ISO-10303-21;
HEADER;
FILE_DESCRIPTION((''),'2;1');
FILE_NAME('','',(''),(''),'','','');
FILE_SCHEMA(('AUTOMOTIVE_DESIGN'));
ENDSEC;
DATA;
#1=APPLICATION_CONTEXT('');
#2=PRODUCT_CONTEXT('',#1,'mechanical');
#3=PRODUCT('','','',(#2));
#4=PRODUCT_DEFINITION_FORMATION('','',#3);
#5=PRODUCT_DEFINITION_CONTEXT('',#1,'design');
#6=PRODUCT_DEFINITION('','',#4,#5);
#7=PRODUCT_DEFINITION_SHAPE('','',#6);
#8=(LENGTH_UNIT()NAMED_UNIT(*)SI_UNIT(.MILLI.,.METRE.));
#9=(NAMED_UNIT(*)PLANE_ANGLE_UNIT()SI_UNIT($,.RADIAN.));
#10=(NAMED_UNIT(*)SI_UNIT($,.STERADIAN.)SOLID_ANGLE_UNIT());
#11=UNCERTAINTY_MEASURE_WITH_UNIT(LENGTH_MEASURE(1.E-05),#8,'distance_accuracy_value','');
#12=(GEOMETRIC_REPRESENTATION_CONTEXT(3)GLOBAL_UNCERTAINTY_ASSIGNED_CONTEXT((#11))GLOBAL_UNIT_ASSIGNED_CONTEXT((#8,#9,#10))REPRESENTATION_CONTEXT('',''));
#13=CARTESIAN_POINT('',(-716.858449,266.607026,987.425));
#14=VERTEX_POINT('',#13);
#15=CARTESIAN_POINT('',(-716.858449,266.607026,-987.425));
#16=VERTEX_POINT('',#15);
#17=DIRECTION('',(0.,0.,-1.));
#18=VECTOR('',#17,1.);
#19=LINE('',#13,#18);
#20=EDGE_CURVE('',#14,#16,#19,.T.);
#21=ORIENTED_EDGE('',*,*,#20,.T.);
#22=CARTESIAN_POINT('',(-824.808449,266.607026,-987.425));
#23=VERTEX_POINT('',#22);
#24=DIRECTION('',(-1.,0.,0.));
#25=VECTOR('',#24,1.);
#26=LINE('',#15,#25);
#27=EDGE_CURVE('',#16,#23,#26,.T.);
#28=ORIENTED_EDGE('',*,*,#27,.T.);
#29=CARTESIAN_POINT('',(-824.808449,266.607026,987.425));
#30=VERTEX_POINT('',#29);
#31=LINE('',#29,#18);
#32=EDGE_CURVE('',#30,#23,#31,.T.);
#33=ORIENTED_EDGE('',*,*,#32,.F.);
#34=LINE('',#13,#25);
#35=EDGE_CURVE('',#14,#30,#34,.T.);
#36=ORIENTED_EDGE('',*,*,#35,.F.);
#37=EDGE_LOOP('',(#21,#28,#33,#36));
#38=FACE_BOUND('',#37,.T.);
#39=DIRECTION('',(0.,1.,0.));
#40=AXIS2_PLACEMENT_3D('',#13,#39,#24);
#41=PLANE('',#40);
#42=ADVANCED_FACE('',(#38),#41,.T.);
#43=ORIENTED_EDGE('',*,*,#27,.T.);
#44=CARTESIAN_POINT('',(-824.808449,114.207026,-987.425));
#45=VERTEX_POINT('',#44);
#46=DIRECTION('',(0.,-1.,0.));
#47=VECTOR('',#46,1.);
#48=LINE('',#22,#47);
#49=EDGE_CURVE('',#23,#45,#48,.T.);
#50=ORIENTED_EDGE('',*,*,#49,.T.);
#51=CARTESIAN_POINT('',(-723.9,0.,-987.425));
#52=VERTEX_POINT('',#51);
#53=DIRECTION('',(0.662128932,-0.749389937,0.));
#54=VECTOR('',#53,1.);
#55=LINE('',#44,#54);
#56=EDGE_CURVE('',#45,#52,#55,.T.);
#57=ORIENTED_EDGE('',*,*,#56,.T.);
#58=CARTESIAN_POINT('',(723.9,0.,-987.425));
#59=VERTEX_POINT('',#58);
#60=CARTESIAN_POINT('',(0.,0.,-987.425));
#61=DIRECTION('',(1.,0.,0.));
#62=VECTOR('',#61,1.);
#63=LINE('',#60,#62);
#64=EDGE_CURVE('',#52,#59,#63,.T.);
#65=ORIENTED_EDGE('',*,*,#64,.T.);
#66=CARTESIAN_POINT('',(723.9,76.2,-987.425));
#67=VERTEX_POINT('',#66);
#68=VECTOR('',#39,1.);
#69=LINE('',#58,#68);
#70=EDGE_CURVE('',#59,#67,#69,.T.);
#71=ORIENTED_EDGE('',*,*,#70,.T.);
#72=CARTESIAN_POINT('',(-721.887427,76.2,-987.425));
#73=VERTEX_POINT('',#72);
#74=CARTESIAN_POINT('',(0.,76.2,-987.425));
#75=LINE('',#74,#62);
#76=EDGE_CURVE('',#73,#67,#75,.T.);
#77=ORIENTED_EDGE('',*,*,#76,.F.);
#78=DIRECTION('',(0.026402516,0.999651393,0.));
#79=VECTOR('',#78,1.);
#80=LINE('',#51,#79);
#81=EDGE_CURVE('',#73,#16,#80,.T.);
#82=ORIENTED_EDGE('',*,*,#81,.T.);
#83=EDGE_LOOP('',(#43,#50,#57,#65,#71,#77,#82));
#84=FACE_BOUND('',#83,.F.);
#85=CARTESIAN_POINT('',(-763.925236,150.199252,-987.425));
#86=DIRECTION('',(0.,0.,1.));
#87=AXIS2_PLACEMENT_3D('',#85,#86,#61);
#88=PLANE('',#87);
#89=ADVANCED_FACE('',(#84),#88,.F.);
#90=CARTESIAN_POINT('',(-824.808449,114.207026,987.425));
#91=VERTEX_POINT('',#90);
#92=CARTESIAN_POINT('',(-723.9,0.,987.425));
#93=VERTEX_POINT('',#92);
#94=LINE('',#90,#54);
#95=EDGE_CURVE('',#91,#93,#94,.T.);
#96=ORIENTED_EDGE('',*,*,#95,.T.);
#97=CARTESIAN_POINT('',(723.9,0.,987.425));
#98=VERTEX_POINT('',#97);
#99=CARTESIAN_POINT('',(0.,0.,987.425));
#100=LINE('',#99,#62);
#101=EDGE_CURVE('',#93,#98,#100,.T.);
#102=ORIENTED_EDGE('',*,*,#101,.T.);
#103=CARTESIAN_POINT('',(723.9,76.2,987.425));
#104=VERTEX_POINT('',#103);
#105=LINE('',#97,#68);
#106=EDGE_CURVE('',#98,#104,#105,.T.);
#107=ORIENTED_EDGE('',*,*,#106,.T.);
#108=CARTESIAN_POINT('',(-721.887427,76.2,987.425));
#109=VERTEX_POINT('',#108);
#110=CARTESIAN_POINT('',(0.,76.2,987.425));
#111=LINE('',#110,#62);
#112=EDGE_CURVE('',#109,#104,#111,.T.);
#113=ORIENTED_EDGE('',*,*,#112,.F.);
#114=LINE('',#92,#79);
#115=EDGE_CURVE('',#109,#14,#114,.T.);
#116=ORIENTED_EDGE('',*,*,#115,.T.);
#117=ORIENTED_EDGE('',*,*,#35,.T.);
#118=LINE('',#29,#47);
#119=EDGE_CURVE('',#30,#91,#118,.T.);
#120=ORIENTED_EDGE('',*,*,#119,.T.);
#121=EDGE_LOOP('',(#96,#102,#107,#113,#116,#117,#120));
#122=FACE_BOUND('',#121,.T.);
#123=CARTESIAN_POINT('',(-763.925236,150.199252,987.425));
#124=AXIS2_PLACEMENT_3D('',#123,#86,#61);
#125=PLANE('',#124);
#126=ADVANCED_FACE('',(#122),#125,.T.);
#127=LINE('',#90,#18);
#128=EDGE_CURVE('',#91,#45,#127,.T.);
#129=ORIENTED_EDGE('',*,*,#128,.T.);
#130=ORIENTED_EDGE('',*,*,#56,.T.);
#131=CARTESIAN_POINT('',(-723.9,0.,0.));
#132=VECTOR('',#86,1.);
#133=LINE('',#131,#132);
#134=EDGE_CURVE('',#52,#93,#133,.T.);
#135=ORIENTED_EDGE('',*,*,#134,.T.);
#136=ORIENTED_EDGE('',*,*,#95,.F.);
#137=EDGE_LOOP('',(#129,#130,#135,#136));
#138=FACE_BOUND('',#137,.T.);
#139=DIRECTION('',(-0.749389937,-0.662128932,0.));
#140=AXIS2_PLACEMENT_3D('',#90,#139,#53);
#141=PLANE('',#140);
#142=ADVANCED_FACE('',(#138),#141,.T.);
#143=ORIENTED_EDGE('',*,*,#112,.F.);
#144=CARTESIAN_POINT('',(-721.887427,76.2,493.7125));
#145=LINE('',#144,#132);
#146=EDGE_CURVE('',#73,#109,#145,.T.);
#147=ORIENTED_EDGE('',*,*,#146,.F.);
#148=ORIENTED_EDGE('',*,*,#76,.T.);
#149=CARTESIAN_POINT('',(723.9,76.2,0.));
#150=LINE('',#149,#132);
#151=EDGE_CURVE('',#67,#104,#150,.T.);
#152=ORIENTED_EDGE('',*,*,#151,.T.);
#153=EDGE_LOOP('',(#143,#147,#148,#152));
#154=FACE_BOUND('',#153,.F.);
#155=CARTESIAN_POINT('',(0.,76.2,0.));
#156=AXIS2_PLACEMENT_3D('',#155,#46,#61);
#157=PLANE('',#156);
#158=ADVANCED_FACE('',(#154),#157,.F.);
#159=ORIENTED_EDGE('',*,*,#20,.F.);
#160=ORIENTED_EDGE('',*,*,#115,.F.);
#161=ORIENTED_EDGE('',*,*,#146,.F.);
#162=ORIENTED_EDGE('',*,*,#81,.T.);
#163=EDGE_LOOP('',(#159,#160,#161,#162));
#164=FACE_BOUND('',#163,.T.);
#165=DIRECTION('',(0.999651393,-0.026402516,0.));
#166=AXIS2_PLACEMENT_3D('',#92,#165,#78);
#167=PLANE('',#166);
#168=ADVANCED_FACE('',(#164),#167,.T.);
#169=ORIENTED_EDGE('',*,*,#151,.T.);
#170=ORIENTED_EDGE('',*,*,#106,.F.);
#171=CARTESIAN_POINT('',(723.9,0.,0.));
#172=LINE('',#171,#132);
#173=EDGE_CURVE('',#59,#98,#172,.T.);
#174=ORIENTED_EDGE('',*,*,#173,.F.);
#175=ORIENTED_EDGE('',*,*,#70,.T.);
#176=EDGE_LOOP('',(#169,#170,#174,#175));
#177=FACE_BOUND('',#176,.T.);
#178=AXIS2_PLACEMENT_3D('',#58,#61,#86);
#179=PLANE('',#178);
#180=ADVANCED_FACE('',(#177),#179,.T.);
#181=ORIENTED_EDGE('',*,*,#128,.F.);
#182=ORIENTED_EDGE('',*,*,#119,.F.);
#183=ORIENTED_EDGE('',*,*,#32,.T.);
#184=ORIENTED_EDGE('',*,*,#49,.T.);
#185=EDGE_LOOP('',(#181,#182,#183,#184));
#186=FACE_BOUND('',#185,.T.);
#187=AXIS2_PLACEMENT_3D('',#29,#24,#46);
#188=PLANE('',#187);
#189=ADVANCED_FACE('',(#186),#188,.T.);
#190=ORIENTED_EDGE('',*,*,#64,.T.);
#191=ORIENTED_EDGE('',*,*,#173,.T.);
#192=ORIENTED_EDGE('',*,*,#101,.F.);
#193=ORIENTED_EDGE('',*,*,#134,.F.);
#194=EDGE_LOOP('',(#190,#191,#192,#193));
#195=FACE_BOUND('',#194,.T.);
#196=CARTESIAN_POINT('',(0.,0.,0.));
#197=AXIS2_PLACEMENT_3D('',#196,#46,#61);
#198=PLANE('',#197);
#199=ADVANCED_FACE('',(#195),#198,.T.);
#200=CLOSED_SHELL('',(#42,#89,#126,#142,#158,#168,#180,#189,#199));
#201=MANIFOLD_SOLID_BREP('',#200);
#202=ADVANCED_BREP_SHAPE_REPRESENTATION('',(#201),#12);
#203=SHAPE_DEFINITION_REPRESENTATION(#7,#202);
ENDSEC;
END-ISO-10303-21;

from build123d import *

# Parameters (mm, degrees)
F0_W     = 1447.8
F0_H     = 1974.85
F1_DEPTH = 76.2
F3_DEPTH = 1974.85


with BuildPart() as f1:
    # F0 (on Front) → F1 (new body)
    with BuildSketch(Plane.XZ):
        Rectangle(F0_W, F0_H)
    extrude(amount=-F1_DEPTH)

    # F2 (on face) → F3 (join)
    with BuildSketch(Plane.XY.offset(987.425)):
        Polygon((-824.808449, 114.207026), (-723.9, 0), (-716.858449, 266.607026), (-824.808449, 266.607026), align=None)
    extrude(amount=-F3_DEPTH)


solid = f1.part
